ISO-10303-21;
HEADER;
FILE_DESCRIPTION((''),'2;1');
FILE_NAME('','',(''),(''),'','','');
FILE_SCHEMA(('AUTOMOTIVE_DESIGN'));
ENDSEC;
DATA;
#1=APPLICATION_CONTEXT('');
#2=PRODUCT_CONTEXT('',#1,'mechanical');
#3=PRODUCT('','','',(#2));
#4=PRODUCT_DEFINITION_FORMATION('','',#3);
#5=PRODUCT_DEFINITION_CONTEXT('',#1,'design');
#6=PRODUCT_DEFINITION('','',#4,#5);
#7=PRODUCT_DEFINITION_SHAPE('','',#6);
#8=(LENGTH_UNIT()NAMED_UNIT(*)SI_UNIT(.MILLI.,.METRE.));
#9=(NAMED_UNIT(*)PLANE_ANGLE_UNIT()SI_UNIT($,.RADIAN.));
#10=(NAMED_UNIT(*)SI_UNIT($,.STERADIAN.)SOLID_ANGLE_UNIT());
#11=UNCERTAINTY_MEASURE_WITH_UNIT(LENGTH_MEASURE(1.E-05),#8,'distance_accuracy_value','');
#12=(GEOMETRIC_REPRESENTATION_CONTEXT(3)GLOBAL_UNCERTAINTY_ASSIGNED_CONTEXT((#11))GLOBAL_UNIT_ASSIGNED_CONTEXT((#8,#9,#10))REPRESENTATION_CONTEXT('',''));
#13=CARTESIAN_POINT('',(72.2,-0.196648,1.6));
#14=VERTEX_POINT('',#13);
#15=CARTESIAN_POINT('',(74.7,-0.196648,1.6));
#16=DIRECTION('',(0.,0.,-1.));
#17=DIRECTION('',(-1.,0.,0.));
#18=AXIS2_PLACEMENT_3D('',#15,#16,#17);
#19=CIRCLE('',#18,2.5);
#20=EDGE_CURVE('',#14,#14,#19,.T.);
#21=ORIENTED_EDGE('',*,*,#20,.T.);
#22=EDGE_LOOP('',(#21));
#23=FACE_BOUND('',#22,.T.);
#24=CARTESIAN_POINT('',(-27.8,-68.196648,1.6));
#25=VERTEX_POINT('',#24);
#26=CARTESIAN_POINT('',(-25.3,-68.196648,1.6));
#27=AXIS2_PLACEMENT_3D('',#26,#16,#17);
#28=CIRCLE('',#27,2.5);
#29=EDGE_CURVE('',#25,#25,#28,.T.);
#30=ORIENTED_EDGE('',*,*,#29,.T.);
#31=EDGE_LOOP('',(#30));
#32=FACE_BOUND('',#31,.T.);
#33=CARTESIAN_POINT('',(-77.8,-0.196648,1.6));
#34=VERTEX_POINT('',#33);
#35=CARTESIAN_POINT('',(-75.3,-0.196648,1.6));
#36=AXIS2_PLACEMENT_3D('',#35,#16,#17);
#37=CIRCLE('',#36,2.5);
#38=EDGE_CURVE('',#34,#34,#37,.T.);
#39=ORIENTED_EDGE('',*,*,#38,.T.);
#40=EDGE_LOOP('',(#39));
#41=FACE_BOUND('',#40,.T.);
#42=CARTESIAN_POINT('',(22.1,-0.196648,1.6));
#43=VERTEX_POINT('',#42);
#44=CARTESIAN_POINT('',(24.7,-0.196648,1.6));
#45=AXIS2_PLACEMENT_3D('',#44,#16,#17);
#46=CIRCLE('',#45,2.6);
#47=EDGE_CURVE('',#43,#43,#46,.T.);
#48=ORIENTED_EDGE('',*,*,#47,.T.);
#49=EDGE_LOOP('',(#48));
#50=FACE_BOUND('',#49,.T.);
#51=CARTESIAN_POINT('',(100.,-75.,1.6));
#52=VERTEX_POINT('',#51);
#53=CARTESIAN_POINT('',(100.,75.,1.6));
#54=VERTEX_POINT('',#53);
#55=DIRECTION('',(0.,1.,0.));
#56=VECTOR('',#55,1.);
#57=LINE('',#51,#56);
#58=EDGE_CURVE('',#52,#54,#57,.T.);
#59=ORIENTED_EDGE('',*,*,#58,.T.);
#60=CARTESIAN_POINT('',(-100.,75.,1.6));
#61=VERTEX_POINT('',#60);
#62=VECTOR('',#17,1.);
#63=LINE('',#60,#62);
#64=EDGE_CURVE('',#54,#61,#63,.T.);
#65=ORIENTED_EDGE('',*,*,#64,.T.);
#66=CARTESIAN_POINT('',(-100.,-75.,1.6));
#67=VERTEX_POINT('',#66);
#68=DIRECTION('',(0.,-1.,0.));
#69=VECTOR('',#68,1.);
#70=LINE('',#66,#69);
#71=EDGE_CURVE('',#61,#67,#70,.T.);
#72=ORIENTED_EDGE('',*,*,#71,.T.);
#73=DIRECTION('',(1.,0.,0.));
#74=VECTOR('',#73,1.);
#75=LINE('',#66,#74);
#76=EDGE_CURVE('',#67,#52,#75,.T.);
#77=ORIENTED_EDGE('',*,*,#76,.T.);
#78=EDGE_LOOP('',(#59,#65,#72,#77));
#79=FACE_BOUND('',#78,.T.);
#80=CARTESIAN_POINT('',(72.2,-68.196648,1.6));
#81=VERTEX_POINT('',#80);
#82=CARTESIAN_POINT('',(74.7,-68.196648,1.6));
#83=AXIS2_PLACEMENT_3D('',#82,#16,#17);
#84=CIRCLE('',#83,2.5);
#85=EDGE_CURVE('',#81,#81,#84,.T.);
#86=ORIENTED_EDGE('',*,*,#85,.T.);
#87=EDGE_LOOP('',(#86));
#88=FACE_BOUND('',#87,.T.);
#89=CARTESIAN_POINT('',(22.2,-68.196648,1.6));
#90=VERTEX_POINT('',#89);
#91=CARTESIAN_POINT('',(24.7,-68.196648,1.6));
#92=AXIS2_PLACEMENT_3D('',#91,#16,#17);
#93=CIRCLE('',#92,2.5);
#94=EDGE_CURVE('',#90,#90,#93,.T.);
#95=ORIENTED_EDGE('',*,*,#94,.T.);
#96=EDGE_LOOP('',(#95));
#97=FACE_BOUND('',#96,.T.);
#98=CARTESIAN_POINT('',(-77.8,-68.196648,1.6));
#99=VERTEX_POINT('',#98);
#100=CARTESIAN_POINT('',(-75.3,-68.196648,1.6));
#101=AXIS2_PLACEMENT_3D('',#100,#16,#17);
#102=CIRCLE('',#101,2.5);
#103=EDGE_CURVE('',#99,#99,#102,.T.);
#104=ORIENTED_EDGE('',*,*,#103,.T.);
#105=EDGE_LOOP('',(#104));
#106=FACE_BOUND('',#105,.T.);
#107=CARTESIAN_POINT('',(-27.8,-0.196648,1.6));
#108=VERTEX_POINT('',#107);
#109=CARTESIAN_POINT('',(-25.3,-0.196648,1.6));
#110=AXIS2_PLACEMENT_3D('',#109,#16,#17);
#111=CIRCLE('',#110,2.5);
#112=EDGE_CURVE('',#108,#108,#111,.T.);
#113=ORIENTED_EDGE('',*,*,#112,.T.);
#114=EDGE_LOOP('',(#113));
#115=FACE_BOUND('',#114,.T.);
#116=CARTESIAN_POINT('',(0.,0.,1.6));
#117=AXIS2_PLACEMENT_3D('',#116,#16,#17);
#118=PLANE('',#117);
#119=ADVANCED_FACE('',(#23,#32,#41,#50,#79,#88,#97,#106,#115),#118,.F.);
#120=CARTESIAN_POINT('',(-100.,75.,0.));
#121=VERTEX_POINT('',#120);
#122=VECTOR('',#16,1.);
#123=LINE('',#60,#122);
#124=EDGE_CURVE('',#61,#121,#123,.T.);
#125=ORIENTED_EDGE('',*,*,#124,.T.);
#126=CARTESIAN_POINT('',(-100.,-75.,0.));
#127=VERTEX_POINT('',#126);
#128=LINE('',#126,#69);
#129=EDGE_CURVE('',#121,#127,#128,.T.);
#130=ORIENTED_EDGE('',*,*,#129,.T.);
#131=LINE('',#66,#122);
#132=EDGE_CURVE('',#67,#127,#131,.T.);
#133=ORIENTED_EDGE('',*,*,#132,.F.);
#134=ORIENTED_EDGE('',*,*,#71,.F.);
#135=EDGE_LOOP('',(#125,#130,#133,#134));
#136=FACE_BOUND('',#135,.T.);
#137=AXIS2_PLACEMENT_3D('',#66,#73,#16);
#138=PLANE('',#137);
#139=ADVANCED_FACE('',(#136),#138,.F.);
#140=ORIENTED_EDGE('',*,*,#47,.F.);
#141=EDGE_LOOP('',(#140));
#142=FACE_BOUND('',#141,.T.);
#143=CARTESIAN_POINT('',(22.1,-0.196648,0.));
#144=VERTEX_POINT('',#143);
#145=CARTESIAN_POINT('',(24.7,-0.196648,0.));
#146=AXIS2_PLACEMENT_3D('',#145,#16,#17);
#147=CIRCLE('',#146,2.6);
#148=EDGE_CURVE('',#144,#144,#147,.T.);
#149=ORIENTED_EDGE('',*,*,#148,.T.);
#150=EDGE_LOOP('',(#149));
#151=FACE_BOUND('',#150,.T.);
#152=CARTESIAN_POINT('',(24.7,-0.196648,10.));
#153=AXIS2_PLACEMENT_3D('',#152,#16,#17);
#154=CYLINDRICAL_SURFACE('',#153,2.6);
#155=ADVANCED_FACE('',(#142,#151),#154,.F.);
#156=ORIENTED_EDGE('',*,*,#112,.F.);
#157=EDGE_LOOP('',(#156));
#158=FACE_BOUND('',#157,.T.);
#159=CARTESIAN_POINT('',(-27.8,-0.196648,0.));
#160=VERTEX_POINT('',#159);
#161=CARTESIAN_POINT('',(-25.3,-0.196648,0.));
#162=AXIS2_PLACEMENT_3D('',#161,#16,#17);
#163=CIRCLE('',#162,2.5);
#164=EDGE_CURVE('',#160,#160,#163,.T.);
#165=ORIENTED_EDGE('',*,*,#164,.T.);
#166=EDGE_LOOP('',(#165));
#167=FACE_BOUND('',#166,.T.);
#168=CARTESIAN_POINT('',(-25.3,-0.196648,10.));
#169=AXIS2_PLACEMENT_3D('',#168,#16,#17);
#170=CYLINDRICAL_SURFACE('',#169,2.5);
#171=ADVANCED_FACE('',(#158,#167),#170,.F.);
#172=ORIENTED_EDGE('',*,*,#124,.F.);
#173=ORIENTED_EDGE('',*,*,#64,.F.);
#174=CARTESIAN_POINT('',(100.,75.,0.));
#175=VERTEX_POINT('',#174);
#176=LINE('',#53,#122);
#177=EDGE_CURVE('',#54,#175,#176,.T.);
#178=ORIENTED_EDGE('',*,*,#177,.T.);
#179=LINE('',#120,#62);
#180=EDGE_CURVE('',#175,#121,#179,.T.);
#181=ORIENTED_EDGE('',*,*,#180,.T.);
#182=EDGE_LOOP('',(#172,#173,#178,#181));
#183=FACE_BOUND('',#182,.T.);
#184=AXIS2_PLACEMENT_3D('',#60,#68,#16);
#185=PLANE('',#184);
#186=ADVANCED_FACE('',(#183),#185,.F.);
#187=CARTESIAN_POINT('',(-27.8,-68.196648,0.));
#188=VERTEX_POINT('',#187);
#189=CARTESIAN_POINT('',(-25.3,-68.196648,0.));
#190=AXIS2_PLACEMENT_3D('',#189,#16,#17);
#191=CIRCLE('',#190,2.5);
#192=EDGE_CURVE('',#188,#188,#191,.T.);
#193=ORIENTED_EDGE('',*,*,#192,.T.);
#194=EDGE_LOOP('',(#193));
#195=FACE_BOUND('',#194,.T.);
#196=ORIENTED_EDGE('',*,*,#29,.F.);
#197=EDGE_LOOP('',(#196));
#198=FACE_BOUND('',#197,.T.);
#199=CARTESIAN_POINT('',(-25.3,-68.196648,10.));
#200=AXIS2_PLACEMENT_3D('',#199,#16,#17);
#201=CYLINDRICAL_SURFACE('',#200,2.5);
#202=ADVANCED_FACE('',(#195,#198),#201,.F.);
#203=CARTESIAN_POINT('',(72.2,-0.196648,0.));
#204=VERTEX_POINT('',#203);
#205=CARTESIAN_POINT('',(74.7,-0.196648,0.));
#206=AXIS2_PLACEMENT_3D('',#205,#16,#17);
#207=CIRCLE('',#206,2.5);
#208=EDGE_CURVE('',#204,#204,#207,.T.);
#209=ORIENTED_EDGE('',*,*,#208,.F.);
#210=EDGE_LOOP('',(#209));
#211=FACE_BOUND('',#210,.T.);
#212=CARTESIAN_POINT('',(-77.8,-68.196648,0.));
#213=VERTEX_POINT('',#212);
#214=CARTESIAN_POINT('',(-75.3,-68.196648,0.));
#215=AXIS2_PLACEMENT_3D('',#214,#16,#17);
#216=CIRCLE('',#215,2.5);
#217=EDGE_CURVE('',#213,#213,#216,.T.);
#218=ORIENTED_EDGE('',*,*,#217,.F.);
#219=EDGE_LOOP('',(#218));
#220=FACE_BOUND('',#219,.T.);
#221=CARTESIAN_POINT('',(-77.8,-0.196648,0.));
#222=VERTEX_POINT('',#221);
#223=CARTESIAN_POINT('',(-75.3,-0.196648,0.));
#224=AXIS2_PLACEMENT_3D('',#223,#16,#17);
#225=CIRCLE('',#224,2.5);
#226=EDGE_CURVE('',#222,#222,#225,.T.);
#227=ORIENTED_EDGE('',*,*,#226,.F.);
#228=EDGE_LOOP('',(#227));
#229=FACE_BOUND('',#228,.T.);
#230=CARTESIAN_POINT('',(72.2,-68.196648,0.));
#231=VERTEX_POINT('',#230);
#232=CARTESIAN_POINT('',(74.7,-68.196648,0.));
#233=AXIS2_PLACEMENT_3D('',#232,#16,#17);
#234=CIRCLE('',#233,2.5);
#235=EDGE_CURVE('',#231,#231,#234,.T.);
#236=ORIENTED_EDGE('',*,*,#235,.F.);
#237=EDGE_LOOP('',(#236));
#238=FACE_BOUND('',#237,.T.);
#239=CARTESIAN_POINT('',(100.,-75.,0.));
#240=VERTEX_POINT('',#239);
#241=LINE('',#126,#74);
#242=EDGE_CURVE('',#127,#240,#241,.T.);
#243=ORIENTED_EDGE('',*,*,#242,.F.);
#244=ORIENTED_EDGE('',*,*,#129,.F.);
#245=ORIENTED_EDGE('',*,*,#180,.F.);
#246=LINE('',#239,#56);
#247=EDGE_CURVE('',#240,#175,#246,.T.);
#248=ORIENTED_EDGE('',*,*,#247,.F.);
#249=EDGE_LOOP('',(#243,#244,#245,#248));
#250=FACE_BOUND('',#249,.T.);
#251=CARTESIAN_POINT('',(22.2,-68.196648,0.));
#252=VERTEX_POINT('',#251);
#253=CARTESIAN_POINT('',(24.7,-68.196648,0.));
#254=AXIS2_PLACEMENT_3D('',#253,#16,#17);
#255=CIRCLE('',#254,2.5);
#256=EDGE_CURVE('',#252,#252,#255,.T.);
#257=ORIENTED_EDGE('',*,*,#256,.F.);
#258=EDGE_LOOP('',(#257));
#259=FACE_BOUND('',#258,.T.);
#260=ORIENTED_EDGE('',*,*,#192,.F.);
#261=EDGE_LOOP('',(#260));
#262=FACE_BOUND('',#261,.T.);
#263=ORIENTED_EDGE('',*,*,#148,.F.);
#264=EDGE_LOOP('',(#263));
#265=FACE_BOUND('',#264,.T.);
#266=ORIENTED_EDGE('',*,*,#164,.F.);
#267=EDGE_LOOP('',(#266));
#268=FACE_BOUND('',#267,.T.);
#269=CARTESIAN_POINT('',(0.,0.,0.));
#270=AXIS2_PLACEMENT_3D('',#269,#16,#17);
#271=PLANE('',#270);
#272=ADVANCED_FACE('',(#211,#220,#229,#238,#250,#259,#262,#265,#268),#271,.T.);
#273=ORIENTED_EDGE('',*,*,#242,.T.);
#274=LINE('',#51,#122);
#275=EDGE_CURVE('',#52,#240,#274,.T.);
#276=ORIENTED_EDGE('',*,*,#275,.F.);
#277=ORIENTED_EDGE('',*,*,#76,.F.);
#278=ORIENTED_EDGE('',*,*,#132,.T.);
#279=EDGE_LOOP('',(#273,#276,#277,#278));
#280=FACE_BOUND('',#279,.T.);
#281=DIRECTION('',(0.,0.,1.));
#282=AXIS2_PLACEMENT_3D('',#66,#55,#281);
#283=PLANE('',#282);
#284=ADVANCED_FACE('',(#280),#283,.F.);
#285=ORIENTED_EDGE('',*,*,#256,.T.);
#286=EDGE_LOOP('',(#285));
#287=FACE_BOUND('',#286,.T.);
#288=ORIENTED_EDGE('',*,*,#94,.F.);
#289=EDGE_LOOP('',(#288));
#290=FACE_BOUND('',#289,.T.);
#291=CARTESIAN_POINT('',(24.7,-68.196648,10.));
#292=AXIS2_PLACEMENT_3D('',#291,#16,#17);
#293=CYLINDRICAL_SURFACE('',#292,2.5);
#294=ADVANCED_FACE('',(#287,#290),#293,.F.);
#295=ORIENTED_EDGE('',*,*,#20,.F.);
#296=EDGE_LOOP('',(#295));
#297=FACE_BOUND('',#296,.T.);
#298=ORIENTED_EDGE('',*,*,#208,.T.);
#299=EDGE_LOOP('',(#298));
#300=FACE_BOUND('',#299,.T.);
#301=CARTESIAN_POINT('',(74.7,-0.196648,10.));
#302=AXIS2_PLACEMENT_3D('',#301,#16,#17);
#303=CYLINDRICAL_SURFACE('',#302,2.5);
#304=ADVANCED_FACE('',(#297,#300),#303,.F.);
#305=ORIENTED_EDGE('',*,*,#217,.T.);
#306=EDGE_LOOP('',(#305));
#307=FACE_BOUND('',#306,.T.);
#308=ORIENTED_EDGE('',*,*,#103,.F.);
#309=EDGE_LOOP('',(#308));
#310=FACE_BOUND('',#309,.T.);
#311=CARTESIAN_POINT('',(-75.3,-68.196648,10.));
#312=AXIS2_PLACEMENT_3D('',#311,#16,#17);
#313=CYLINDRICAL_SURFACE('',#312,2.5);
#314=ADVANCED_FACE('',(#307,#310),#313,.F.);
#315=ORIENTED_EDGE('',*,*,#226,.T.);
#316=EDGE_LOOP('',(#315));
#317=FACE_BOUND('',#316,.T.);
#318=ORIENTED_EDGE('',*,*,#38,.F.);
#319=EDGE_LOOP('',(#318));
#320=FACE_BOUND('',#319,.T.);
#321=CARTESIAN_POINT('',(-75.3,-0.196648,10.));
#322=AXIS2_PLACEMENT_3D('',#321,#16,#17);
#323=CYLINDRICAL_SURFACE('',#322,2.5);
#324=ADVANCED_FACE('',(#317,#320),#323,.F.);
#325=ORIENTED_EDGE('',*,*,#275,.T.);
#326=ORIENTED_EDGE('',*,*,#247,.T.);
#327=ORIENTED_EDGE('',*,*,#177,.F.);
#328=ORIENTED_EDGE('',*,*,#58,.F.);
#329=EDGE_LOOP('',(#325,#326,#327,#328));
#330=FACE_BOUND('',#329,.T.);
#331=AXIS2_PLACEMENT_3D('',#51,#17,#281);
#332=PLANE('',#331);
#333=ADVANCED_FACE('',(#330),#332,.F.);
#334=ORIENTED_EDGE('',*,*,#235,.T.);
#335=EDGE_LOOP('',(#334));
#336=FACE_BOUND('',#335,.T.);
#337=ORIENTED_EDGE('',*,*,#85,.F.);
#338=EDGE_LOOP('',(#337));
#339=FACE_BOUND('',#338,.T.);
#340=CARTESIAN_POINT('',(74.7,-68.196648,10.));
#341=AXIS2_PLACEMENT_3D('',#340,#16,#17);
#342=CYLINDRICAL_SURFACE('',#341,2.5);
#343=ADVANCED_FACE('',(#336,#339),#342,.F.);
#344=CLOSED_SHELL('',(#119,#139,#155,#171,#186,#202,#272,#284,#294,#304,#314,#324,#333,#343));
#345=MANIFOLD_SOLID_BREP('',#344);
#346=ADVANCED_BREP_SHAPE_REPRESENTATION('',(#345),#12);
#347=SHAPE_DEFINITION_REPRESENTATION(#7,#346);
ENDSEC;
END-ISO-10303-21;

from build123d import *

# Parameters (mm, degrees)
ESQUISSE1_W             = 200
ESQUISSE1_H             = 150
BOSS_EXTRU_1_DEPTH      = 1.6
ESQUISSE2_R             = 2.5
ESQUISSE2_R_2           = 2.6
ENL_V_MAT_EXTRU_1_DEPTH = 10


with BuildPart() as part:
    # Esquisse1 → Boss.-Extru.1 (new body)
    with BuildSketch(Plane.XY):
        Rectangle(ESQUISSE1_W, ESQUISSE1_H)
    extrude(amount=BOSS_EXTRU_1_DEPTH)

    # Esquisse2 → Enlèv. mat.-Extru.1 (cut)
    with BuildSketch(Plane(origin=(0, 0, 0), x_dir=(-1, 0, 0), z_dir=(0, 0, -1))):
        with Locations((75.3, -0.196647834)):
            Circle(ESQUISSE2_R)
        with Locations((25.3, -0.196647834)):
            Circle(ESQUISSE2_R)
        with Locations((-24.7, -0.196647834)):
            Circle(ESQUISSE2_R_2)
        with Locations((-74.7, -0.196647834)):
            Circle(ESQUISSE2_R)
        with Locations((75.3, -68.196647834)):
            Circle(ESQUISSE2_R)
        with Locations((25.3, -68.196647834)):
            Circle(ESQUISSE2_R)
        with Locations((-24.7, -68.196647834)):
            Circle(ESQUISSE2_R)
        with Locations((-74.7, -68.196647834)):
            Circle(ESQUISSE2_R)
    extrude(amount=-ENL_V_MAT_EXTRU_1_DEPTH, mode=Mode.SUBTRACT)


solid = part.part
